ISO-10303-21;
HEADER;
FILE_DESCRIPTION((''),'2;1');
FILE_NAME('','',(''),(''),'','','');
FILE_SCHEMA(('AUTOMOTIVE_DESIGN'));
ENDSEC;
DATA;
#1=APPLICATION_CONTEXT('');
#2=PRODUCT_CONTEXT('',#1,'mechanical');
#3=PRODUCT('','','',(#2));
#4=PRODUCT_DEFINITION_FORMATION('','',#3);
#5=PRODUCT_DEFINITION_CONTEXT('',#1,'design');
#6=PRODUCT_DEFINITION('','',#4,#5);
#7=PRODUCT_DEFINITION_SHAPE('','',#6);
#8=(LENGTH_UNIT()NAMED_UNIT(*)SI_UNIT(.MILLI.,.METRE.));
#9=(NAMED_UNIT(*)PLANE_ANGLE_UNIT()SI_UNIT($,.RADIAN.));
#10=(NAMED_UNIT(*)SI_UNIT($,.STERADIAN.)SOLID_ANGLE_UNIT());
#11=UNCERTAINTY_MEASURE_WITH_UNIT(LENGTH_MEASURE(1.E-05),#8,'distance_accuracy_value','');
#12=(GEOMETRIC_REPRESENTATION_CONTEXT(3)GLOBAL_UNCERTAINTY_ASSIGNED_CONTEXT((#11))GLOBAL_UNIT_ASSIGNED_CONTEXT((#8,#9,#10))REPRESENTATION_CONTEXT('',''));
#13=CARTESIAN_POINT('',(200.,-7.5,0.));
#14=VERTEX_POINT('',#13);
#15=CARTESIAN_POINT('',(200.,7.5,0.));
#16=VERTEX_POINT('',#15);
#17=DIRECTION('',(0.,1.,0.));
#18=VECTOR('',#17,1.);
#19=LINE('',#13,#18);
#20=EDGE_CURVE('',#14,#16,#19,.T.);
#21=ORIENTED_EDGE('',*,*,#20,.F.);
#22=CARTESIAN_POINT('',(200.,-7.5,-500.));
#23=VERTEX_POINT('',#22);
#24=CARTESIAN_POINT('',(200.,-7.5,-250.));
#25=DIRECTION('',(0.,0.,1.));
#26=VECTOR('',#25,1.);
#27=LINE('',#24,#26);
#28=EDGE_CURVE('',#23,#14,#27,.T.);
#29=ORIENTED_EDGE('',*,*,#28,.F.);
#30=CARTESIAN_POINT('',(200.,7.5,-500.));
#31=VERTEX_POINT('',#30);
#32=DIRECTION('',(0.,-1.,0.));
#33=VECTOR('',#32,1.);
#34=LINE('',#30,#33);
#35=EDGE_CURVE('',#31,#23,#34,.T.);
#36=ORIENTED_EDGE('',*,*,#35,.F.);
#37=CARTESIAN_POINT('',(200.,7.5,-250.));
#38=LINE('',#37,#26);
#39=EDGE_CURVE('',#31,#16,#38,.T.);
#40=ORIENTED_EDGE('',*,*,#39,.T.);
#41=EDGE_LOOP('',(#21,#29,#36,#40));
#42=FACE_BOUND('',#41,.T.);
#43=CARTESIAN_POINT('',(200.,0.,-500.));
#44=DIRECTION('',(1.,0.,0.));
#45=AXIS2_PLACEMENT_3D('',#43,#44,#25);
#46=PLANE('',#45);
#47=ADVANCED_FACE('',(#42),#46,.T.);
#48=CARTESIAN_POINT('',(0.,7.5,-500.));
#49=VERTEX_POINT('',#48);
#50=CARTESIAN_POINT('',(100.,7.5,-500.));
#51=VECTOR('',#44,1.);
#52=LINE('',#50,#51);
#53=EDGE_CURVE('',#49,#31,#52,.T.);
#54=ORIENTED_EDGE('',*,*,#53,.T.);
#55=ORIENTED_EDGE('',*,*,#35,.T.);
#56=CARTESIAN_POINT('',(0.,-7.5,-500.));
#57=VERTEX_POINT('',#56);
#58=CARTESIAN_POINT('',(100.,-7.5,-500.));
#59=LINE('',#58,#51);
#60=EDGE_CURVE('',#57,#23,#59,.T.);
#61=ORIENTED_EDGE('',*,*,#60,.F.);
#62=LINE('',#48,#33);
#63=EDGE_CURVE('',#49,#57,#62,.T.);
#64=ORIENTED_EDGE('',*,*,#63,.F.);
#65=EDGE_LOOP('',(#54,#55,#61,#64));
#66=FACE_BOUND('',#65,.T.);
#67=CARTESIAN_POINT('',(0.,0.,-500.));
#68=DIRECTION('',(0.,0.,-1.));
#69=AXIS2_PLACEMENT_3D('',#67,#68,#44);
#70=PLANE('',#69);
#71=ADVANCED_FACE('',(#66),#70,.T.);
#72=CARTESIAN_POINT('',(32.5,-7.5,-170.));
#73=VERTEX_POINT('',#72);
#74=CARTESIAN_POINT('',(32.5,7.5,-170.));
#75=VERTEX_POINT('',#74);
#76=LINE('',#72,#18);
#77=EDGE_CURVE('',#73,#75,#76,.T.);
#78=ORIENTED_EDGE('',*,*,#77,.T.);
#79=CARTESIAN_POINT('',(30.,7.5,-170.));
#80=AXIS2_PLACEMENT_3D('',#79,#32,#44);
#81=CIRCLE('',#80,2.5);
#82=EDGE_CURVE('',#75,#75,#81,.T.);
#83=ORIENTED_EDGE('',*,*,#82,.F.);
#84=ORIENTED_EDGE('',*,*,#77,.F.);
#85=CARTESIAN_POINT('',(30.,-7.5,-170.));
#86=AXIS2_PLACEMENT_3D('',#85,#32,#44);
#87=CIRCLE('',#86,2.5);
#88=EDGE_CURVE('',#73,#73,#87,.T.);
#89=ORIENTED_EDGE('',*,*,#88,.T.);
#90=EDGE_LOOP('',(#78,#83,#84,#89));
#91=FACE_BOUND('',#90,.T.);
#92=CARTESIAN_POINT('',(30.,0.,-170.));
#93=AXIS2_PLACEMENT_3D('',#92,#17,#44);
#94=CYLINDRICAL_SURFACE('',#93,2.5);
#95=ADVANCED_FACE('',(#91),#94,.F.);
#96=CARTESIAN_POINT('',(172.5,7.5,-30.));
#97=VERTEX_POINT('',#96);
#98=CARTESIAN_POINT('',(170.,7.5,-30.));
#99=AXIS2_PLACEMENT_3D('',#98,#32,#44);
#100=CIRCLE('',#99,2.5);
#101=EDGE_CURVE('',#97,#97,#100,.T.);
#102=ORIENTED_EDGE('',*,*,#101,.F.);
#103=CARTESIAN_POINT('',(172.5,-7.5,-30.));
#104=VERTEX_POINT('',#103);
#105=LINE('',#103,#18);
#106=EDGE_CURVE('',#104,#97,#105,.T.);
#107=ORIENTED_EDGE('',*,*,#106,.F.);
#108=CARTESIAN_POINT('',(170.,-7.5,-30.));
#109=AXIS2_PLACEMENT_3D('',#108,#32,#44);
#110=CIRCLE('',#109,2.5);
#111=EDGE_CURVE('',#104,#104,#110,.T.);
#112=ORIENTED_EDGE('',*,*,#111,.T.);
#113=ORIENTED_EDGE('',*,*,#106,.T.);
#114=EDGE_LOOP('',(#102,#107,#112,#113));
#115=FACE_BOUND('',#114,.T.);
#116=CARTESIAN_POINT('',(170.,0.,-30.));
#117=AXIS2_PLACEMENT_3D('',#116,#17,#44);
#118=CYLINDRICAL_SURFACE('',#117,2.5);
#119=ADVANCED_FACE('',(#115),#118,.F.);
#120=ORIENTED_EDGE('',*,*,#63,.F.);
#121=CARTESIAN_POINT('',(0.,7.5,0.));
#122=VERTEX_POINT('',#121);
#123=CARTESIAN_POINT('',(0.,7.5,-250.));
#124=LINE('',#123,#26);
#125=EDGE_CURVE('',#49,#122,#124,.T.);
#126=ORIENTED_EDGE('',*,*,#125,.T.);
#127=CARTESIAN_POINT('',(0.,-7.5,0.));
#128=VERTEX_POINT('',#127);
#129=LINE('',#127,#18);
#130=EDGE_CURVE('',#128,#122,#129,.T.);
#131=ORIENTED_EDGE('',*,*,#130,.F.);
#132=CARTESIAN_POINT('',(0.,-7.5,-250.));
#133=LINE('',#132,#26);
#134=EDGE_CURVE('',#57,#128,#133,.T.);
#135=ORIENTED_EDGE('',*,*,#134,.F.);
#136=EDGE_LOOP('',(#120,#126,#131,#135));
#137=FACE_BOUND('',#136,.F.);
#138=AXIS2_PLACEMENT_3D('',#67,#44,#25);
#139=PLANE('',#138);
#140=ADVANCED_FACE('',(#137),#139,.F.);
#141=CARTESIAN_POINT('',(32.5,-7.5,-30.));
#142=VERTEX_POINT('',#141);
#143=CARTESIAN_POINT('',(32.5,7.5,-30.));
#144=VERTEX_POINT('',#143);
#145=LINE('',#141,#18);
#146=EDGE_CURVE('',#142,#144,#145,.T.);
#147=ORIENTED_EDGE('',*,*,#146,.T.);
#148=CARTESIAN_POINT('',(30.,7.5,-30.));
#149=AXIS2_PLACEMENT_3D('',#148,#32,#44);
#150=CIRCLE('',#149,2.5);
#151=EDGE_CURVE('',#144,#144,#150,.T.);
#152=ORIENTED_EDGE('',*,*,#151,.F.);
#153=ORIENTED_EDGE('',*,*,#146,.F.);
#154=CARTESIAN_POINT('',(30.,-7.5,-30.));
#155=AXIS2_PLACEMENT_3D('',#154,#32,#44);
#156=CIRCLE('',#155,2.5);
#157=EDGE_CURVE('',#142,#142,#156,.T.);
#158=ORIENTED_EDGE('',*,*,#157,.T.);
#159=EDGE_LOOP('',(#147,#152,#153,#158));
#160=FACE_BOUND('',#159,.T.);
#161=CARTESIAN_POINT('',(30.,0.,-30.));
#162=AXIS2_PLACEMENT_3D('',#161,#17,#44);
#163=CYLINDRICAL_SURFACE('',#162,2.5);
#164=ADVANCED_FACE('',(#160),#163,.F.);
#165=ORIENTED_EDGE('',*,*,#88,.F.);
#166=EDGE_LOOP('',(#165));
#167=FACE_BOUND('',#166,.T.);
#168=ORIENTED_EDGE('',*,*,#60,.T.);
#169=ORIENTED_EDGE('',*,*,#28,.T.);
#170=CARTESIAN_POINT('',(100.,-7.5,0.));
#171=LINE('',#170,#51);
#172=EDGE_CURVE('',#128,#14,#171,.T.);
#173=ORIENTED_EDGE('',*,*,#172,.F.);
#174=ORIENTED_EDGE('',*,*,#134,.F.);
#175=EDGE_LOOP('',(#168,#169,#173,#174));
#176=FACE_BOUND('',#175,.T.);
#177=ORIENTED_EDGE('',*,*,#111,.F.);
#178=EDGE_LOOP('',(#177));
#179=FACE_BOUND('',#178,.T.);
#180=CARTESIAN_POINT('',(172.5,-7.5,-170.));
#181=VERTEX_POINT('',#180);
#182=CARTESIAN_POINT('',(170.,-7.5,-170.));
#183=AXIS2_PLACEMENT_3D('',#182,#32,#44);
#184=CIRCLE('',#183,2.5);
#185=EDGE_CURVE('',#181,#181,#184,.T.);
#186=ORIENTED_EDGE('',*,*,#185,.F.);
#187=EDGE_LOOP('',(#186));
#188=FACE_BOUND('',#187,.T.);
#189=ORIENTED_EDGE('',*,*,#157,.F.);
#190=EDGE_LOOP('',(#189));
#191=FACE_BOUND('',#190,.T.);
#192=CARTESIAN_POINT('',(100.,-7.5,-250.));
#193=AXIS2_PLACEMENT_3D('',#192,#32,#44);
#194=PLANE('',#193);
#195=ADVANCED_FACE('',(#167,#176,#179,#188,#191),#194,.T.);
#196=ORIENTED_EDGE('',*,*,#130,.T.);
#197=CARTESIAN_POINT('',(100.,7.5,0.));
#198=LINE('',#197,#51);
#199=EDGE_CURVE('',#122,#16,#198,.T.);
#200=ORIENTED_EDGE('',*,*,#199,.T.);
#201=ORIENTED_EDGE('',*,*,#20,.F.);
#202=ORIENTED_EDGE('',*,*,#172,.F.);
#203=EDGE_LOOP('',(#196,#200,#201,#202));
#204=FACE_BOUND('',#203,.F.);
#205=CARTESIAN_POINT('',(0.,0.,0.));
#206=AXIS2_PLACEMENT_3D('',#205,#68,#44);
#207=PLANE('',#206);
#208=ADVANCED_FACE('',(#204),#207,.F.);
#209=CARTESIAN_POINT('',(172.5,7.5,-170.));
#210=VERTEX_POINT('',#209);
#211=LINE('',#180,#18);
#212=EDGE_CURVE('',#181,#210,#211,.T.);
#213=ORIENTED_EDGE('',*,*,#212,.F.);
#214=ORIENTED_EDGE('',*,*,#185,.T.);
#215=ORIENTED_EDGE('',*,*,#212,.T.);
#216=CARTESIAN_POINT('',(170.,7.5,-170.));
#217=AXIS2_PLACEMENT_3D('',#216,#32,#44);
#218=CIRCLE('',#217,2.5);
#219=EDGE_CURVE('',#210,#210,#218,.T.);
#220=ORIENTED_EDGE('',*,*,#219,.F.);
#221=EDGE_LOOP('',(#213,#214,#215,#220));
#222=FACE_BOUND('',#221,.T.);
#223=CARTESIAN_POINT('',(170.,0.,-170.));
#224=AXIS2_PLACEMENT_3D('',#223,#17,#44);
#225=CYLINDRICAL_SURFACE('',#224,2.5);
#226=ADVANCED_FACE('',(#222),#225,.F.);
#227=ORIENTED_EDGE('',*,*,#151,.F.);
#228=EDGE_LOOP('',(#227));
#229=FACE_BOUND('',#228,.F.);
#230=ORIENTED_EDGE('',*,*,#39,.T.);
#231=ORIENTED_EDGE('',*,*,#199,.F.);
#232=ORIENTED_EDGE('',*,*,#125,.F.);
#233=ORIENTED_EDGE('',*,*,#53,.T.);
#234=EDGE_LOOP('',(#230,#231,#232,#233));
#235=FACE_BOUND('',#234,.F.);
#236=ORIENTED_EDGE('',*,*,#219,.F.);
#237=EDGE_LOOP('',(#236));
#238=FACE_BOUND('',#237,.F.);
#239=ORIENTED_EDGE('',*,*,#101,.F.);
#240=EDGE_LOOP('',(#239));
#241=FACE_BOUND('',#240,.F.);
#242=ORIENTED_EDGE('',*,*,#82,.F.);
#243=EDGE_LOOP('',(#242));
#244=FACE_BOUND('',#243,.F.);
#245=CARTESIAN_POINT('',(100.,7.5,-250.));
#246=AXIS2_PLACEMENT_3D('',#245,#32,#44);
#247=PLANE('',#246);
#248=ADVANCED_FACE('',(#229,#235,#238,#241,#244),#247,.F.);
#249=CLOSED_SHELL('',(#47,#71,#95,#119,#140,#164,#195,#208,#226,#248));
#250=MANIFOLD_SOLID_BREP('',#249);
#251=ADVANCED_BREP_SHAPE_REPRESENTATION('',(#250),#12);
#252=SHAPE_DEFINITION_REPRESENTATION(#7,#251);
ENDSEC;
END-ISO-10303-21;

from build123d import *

# Parameters (mm, degrees)
F0_W     = 200
F0_H     = 500
F0_R     = 2.5
F1_DEPTH = 7.5


with BuildPart() as f1:
    # F0 (on Front) → F1 (new body, symmetric)
    with BuildSketch(Plane.XZ):
        with Locations((100, -250)):
            Rectangle(F0_W, F0_H)
        with Locations((30, -170)):
            Circle(F0_R, mode=Mode.SUBTRACT)
        with Locations((30, -30)):
            Circle(F0_R, mode=Mode.SUBTRACT)
        with Locations((170, -170)):
            Circle(F0_R, mode=Mode.SUBTRACT)
        with Locations((170, -30)):
            Circle(F0_R, mode=Mode.SUBTRACT)
    extrude(amount=F1_DEPTH, both=True)


solid = f1.part
